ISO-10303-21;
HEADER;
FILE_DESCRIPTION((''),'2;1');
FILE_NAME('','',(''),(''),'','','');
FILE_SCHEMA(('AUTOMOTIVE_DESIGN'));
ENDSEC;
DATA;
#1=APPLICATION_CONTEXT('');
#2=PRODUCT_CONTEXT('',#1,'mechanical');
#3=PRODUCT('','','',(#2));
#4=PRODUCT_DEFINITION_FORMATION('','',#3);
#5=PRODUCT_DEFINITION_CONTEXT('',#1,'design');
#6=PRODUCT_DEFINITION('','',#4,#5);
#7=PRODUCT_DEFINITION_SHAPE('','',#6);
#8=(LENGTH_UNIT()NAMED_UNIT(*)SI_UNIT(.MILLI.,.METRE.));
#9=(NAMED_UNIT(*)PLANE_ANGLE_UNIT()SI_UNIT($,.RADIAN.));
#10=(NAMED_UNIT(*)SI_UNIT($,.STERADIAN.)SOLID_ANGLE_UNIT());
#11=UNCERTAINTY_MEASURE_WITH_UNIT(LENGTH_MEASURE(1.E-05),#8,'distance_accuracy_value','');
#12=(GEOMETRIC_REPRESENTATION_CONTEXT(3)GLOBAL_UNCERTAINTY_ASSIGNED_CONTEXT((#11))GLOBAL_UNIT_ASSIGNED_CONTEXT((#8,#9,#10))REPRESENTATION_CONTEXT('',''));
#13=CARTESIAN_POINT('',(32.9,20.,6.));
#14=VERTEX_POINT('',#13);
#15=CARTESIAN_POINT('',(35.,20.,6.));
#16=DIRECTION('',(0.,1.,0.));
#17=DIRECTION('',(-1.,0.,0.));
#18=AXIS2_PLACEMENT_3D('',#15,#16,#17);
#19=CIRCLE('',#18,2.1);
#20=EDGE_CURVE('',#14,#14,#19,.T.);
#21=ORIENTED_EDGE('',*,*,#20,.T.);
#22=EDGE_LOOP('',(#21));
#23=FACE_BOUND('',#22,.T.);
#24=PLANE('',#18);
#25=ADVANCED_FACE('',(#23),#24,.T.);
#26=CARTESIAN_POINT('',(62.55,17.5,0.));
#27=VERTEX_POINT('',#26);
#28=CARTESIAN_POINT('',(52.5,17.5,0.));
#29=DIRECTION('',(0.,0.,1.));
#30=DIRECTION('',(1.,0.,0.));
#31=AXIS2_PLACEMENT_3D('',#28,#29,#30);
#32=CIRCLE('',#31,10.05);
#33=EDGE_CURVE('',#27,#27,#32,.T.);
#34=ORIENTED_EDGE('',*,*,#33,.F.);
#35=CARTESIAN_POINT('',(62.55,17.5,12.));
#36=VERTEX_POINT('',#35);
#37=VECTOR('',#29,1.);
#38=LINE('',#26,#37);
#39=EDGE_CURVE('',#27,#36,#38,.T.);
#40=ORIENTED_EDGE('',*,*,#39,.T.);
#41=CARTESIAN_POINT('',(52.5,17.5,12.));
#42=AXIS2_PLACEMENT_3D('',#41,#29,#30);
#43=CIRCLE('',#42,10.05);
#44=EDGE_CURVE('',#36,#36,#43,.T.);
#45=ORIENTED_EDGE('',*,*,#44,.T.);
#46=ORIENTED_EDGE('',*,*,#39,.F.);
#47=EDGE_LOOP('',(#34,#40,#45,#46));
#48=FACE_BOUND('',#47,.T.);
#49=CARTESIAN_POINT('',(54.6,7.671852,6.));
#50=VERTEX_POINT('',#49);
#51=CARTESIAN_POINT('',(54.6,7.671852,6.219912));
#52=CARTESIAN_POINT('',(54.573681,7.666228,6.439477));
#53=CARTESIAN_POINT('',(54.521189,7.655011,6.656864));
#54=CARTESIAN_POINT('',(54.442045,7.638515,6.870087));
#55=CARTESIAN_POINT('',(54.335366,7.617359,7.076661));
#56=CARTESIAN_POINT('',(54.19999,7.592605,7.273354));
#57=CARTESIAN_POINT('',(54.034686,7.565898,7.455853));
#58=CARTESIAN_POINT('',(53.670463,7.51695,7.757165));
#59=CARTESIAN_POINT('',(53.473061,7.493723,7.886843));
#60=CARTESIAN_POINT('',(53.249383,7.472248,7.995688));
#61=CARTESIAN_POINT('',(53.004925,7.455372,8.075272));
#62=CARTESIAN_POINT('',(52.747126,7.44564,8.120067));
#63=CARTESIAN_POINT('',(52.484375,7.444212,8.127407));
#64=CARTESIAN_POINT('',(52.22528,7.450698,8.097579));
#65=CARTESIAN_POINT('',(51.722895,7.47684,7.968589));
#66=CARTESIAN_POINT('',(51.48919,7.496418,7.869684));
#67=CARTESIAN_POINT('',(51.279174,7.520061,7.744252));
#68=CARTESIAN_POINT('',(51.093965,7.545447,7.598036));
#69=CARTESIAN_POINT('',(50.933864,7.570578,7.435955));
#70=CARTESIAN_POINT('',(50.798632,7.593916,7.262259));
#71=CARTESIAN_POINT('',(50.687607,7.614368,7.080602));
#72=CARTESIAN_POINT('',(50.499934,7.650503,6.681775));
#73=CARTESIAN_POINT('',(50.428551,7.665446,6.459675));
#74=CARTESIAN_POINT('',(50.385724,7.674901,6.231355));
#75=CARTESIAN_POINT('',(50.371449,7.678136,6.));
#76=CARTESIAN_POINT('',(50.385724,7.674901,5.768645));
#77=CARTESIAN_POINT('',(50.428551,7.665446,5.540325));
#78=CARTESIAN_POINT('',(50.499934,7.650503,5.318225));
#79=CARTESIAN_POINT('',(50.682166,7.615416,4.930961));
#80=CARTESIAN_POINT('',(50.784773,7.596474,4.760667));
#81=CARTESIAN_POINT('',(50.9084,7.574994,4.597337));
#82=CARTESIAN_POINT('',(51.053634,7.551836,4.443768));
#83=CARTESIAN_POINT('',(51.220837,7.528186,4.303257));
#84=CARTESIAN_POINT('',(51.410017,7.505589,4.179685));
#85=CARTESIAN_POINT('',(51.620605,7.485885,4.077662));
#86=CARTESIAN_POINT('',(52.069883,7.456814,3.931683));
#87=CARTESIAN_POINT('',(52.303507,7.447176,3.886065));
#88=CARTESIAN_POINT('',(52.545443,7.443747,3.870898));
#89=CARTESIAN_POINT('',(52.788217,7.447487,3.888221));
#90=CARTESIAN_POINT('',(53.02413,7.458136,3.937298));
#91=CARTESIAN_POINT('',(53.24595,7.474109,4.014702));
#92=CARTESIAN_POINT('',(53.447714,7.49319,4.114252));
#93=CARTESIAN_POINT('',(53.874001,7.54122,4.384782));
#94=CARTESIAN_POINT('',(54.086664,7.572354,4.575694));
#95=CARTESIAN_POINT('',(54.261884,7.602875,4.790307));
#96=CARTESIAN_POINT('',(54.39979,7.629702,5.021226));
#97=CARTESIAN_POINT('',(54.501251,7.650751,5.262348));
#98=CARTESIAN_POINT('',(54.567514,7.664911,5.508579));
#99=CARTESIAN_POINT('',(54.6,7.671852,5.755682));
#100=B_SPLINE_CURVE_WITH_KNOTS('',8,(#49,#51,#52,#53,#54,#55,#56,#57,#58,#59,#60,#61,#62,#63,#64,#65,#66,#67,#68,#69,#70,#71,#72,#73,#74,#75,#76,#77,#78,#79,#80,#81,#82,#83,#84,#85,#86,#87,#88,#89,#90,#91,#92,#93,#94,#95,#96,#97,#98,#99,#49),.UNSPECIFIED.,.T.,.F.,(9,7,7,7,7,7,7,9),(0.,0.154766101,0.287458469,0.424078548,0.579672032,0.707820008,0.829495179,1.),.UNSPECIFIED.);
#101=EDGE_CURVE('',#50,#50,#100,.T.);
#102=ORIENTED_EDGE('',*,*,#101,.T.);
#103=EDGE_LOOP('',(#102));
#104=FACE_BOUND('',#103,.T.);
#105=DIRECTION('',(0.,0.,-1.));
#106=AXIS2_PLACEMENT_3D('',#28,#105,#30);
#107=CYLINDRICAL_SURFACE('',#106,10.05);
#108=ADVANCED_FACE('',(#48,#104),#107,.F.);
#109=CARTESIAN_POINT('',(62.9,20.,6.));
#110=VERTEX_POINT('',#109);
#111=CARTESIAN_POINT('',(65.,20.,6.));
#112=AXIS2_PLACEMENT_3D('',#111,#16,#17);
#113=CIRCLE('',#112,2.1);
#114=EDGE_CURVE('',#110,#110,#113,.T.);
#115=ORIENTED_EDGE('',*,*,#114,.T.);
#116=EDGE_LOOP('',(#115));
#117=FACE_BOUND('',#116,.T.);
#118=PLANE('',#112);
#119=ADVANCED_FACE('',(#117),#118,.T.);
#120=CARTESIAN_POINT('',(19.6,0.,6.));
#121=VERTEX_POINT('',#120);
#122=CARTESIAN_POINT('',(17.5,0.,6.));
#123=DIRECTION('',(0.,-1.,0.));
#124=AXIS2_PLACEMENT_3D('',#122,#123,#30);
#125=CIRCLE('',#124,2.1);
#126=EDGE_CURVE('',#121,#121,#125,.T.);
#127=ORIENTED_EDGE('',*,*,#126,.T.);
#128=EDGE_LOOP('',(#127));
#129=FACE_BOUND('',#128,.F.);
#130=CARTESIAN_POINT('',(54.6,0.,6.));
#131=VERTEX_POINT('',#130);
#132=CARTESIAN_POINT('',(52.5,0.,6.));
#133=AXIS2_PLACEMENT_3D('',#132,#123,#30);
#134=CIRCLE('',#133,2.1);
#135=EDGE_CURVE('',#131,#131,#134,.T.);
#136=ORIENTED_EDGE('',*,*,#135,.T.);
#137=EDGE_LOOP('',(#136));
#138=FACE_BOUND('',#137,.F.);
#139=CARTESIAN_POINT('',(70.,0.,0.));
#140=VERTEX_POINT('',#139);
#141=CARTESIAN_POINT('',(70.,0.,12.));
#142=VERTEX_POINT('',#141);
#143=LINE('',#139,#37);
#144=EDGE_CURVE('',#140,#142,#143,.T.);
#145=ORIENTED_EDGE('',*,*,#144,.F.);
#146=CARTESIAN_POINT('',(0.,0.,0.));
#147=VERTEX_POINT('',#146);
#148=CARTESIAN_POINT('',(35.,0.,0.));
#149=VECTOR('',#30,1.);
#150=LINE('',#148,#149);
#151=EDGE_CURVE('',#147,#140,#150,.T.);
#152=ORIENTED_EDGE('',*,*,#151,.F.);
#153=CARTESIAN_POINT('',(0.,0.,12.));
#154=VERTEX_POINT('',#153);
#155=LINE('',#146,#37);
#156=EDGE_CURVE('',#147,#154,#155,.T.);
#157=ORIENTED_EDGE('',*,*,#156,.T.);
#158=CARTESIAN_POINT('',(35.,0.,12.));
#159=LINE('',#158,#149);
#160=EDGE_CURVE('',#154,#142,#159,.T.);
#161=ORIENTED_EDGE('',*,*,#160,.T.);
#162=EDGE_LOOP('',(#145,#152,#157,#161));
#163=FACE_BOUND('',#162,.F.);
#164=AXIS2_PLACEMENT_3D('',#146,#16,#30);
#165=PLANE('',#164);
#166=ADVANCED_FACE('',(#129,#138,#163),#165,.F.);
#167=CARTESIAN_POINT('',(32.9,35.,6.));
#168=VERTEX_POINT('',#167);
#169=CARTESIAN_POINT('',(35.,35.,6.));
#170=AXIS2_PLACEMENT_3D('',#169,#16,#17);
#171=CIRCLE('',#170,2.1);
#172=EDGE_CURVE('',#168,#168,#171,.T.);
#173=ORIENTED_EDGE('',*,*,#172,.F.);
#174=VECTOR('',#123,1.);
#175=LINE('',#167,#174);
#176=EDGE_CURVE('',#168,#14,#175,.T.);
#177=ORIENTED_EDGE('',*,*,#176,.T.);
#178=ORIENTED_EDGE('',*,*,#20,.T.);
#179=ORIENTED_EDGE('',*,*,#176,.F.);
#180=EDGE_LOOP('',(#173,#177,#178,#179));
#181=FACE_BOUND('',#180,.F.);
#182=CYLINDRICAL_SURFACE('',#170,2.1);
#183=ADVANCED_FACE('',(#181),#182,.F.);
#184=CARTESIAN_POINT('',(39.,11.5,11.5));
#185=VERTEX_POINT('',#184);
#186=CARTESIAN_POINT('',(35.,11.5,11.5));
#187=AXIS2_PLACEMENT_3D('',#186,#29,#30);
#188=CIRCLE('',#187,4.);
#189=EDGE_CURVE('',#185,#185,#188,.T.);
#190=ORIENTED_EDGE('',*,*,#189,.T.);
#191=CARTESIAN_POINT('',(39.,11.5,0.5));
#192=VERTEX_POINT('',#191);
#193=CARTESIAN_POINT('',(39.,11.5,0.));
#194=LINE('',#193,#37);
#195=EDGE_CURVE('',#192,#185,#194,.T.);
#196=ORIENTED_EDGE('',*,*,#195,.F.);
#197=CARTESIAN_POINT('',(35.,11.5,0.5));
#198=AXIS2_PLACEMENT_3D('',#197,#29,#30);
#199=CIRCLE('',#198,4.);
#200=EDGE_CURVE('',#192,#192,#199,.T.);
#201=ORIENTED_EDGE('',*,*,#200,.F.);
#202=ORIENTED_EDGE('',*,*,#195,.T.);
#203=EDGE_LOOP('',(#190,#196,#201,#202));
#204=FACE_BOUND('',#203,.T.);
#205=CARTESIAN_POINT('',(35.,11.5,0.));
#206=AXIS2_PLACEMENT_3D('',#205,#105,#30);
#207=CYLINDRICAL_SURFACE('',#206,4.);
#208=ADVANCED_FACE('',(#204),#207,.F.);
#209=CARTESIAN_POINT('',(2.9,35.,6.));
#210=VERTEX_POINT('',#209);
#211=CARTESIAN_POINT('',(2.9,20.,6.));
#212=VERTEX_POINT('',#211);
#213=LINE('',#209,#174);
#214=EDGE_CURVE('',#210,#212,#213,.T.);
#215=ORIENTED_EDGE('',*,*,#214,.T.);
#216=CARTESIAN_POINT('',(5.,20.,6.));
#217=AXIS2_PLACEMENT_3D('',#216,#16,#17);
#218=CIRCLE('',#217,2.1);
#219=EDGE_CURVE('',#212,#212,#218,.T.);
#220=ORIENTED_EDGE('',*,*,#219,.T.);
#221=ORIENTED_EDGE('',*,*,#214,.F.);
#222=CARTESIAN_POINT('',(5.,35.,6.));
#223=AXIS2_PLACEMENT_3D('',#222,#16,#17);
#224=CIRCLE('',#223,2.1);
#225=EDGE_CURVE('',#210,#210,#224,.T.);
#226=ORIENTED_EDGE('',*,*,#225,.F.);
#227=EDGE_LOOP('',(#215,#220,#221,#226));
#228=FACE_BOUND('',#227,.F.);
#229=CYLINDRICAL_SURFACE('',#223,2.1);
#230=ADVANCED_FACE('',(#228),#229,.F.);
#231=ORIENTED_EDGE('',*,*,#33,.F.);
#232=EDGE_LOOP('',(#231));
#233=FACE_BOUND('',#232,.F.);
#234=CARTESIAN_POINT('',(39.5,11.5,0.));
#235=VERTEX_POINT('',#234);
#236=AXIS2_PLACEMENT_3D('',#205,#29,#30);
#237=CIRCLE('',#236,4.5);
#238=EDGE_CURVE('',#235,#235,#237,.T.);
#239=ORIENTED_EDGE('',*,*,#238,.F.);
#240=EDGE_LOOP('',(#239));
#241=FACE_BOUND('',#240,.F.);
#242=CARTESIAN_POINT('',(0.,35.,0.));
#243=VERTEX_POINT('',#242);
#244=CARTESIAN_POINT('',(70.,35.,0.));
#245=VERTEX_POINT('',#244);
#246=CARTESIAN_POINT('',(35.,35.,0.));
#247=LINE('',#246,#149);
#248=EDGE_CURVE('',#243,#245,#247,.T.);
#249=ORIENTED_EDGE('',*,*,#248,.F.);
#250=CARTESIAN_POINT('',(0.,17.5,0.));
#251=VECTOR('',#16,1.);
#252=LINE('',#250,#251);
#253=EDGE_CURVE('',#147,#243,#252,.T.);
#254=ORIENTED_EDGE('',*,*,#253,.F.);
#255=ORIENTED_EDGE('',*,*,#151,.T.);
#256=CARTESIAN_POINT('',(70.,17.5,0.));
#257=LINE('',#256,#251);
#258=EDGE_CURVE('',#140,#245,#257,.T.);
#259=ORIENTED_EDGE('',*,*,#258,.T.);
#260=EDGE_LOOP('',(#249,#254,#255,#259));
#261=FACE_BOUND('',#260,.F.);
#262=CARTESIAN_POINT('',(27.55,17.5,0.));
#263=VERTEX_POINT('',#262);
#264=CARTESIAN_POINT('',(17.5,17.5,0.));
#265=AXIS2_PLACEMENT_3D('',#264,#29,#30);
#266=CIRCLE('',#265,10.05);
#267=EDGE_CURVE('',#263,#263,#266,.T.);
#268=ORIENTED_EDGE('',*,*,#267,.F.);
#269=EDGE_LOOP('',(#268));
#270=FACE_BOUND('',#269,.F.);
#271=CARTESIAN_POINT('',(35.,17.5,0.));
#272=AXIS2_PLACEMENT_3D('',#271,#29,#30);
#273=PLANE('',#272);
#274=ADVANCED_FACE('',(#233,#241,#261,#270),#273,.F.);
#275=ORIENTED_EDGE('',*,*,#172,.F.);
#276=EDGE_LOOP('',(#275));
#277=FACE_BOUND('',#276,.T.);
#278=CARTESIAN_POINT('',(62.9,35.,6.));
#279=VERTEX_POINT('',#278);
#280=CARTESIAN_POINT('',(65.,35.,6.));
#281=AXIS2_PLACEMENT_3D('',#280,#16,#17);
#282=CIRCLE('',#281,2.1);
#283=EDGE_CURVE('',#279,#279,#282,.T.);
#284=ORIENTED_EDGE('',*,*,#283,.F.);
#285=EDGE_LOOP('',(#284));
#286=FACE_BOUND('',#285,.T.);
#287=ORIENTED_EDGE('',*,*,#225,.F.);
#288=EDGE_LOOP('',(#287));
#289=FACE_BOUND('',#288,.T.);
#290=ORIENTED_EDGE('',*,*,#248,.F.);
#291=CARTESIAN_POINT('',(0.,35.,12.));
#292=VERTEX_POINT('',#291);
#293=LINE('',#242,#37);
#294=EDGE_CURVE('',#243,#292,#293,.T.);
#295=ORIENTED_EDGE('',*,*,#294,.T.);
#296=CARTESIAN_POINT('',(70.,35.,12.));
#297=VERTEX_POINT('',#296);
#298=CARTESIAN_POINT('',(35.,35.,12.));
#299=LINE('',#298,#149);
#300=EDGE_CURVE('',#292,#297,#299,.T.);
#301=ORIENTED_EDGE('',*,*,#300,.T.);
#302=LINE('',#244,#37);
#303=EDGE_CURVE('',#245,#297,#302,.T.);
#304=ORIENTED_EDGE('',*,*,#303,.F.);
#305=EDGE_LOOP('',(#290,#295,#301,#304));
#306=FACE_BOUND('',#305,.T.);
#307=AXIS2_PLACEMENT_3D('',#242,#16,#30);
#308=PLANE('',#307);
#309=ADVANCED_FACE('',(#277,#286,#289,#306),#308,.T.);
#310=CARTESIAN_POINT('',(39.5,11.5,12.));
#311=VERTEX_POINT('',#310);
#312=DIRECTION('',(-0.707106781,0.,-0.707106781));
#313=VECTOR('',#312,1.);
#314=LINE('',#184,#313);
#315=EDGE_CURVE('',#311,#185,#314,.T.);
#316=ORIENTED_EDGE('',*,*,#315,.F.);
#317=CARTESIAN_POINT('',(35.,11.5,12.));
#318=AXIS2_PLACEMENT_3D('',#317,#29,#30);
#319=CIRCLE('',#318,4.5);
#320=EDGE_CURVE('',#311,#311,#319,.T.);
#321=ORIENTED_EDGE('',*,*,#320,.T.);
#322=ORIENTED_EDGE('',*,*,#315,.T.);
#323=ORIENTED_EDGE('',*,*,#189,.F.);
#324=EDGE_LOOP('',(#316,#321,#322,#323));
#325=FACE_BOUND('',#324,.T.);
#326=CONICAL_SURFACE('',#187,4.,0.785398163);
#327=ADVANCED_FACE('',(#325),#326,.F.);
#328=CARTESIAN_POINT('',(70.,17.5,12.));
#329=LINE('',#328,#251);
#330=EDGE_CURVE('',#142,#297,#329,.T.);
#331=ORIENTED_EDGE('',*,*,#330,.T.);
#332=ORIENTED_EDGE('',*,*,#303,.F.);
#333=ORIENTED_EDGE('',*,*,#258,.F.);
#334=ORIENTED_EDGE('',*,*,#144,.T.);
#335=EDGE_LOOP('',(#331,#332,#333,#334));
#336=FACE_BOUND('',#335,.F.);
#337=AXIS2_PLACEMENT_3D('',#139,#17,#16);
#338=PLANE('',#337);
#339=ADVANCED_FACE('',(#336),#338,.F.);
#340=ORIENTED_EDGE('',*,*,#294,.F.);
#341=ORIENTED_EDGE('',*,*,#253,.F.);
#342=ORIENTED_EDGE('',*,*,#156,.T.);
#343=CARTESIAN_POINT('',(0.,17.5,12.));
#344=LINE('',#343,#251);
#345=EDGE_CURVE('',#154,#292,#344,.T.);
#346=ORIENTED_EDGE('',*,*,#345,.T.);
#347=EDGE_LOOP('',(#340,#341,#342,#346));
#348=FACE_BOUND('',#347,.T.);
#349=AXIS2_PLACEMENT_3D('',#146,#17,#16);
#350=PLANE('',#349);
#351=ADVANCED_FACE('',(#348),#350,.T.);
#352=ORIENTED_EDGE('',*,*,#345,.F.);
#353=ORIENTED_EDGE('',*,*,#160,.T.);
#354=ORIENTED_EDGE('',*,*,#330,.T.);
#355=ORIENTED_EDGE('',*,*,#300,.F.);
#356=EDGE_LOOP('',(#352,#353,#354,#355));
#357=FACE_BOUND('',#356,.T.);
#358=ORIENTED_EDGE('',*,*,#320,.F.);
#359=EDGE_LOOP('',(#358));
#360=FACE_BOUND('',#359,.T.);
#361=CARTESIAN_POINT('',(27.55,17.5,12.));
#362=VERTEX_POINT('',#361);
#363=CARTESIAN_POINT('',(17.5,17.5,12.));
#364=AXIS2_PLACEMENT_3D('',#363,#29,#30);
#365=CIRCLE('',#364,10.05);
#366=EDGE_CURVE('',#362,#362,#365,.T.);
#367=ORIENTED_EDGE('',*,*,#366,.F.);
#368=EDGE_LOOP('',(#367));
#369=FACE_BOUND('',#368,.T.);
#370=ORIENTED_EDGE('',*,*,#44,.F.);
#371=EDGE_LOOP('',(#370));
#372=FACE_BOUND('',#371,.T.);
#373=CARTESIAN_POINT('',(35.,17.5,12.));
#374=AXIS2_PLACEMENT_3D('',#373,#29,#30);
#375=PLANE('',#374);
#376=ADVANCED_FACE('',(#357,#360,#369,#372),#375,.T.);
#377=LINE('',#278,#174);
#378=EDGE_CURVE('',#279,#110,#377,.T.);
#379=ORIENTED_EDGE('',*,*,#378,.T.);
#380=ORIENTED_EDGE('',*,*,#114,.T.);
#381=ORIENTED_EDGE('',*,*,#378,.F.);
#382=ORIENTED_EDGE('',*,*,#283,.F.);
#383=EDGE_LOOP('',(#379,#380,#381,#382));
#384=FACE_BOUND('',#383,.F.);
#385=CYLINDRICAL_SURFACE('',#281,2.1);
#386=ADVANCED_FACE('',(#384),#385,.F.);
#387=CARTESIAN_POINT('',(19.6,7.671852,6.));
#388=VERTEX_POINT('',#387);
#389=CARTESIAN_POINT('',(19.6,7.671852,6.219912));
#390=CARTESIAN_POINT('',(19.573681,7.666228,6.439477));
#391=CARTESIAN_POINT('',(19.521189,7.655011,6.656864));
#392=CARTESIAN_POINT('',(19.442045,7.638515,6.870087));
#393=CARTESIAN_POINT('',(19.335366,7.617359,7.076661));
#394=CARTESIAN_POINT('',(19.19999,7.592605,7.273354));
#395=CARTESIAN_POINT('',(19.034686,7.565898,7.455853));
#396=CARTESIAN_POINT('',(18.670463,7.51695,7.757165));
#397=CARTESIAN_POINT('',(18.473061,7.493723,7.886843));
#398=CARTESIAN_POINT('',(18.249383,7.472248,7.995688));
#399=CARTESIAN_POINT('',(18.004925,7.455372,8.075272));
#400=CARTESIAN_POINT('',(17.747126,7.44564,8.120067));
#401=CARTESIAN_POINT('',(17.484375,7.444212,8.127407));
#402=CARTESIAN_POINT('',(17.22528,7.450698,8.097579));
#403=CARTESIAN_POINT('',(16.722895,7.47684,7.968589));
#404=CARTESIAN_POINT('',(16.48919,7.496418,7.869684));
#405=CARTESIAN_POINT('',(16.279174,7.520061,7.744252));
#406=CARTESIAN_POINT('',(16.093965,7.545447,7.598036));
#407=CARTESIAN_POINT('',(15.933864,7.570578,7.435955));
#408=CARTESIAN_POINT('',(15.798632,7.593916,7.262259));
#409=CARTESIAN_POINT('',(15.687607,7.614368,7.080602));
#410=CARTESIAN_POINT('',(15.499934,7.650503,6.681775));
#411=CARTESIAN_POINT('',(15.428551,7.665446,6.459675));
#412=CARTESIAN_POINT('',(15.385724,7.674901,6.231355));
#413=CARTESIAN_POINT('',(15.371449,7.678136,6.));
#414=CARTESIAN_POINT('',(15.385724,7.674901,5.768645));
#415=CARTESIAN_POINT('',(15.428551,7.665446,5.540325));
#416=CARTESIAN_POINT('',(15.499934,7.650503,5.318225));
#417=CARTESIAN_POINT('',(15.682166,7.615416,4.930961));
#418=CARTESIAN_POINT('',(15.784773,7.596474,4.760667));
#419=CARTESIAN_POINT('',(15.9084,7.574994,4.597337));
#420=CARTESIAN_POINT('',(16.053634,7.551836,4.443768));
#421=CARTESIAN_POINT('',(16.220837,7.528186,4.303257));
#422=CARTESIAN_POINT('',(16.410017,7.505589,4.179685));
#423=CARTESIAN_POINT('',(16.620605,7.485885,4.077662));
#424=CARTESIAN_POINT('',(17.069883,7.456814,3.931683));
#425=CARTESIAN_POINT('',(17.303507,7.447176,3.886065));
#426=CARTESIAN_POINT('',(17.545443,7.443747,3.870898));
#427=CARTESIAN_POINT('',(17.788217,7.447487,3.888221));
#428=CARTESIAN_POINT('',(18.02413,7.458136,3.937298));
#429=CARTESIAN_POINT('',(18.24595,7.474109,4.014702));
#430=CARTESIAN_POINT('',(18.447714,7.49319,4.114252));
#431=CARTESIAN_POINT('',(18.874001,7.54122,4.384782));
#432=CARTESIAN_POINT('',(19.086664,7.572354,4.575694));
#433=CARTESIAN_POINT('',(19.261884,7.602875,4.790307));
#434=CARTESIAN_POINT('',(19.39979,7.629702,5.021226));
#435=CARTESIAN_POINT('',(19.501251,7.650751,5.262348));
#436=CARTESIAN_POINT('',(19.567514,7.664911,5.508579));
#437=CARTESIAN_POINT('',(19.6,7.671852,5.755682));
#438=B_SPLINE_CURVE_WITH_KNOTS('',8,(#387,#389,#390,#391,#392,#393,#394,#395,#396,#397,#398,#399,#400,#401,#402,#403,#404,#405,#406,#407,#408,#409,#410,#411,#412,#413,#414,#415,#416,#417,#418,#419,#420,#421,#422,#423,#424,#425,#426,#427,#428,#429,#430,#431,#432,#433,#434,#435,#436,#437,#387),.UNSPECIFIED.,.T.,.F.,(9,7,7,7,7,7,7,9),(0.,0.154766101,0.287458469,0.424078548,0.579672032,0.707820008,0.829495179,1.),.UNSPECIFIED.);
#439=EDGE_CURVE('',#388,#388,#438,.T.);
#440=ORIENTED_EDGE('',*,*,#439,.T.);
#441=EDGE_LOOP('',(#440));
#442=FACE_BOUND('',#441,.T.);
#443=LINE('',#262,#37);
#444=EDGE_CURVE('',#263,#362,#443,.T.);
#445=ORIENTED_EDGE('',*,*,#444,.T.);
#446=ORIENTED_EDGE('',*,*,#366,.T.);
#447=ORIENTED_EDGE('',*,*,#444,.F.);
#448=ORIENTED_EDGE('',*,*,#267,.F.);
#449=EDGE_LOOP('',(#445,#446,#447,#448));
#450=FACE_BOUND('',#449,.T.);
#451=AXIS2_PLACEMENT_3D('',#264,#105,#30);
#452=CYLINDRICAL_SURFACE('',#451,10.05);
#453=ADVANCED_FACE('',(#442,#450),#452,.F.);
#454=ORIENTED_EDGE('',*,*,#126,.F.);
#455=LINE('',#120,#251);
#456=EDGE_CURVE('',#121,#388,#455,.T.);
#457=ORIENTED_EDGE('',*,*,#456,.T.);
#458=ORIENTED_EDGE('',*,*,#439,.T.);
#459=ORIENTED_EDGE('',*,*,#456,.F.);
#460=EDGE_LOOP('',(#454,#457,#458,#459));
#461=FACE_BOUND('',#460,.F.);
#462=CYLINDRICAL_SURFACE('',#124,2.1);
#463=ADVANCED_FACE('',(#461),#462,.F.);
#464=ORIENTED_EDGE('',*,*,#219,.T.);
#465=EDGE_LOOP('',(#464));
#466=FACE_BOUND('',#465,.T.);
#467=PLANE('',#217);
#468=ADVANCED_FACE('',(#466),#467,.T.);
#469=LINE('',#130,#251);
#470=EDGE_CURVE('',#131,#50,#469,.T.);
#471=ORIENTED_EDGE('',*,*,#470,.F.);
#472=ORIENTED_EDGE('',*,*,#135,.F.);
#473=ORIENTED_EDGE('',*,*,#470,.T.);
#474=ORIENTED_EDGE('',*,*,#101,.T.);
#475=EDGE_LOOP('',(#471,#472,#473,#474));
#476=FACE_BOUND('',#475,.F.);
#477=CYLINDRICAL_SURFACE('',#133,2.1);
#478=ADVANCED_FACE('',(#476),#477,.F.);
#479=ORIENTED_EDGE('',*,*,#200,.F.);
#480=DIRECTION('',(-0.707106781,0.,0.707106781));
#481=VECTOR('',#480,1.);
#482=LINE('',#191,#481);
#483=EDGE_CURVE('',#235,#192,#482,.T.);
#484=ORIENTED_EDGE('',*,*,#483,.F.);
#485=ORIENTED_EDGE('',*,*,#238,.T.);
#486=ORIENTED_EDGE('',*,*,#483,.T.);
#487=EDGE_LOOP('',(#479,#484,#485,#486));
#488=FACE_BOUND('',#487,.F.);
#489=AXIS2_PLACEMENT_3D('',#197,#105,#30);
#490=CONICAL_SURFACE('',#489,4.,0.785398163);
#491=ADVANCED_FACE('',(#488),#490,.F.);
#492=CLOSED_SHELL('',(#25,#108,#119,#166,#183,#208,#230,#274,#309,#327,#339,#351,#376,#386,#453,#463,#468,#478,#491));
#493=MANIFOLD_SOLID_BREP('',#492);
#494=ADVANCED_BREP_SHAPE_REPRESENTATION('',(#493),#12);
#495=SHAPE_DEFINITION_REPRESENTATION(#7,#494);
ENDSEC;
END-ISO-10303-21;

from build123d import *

# Parameters (mm, degrees)
F0_W     = 70
F0_H     = 35
F0_R     = 4
F0_R_2   = 10.05
F1_DEPTH = 12
F2_R     = 2.1
F3_DEPTH = 15
F4_R     = 2.1
F5_DEPTH = 7.6728517519
F6_SIZE  = 0.5


with BuildPart() as f1:
    # F0 (on Top) → F1 (new body)
    with BuildSketch(Plane.XY):
        with Locations((35, 17.5)):
            Rectangle(F0_W, F0_H)
        with Locations((35, 11.5)):
            Circle(F0_R, mode=Mode.SUBTRACT)
        with Locations((17.5, 17.5)):
            Circle(F0_R_2, mode=Mode.SUBTRACT)
        with Locations((52.5, 17.5)):
            Circle(F0_R_2, mode=Mode.SUBTRACT)
    extrude(amount=F1_DEPTH)

    # F2 (on face) → F3 (cut)
    with BuildSketch(Plane(origin=(0, 35, 0), x_dir=(-1, 0, 0), z_dir=(0, 1, 0))):
        with Locations((-35, 6)):
            Circle(F2_R)
        with Locations((-65, 6)):
            Circle(F2_R)
        with Locations((-5, 6)):
            Circle(F2_R)
    extrude(amount=-F3_DEPTH, mode=Mode.SUBTRACT)

    # F4 (on face) → F5 (cut, through all)
    with BuildSketch(Plane.XZ):
        with Locations((17.5, 6)):
            Circle(F4_R)
        with Locations((52.5, 6)):
            Circle(F4_R)
    extrude(amount=-F5_DEPTH, mode=Mode.SUBTRACT)

    # F6
    f6_edges = [f1.edges().sort_by_distance(p)[0] for p in [
        (31, 11.5, 12),
        (31, 11.5, 0),
    ]]
    chamfer(f6_edges, length=F6_SIZE)


solid = f1.part
